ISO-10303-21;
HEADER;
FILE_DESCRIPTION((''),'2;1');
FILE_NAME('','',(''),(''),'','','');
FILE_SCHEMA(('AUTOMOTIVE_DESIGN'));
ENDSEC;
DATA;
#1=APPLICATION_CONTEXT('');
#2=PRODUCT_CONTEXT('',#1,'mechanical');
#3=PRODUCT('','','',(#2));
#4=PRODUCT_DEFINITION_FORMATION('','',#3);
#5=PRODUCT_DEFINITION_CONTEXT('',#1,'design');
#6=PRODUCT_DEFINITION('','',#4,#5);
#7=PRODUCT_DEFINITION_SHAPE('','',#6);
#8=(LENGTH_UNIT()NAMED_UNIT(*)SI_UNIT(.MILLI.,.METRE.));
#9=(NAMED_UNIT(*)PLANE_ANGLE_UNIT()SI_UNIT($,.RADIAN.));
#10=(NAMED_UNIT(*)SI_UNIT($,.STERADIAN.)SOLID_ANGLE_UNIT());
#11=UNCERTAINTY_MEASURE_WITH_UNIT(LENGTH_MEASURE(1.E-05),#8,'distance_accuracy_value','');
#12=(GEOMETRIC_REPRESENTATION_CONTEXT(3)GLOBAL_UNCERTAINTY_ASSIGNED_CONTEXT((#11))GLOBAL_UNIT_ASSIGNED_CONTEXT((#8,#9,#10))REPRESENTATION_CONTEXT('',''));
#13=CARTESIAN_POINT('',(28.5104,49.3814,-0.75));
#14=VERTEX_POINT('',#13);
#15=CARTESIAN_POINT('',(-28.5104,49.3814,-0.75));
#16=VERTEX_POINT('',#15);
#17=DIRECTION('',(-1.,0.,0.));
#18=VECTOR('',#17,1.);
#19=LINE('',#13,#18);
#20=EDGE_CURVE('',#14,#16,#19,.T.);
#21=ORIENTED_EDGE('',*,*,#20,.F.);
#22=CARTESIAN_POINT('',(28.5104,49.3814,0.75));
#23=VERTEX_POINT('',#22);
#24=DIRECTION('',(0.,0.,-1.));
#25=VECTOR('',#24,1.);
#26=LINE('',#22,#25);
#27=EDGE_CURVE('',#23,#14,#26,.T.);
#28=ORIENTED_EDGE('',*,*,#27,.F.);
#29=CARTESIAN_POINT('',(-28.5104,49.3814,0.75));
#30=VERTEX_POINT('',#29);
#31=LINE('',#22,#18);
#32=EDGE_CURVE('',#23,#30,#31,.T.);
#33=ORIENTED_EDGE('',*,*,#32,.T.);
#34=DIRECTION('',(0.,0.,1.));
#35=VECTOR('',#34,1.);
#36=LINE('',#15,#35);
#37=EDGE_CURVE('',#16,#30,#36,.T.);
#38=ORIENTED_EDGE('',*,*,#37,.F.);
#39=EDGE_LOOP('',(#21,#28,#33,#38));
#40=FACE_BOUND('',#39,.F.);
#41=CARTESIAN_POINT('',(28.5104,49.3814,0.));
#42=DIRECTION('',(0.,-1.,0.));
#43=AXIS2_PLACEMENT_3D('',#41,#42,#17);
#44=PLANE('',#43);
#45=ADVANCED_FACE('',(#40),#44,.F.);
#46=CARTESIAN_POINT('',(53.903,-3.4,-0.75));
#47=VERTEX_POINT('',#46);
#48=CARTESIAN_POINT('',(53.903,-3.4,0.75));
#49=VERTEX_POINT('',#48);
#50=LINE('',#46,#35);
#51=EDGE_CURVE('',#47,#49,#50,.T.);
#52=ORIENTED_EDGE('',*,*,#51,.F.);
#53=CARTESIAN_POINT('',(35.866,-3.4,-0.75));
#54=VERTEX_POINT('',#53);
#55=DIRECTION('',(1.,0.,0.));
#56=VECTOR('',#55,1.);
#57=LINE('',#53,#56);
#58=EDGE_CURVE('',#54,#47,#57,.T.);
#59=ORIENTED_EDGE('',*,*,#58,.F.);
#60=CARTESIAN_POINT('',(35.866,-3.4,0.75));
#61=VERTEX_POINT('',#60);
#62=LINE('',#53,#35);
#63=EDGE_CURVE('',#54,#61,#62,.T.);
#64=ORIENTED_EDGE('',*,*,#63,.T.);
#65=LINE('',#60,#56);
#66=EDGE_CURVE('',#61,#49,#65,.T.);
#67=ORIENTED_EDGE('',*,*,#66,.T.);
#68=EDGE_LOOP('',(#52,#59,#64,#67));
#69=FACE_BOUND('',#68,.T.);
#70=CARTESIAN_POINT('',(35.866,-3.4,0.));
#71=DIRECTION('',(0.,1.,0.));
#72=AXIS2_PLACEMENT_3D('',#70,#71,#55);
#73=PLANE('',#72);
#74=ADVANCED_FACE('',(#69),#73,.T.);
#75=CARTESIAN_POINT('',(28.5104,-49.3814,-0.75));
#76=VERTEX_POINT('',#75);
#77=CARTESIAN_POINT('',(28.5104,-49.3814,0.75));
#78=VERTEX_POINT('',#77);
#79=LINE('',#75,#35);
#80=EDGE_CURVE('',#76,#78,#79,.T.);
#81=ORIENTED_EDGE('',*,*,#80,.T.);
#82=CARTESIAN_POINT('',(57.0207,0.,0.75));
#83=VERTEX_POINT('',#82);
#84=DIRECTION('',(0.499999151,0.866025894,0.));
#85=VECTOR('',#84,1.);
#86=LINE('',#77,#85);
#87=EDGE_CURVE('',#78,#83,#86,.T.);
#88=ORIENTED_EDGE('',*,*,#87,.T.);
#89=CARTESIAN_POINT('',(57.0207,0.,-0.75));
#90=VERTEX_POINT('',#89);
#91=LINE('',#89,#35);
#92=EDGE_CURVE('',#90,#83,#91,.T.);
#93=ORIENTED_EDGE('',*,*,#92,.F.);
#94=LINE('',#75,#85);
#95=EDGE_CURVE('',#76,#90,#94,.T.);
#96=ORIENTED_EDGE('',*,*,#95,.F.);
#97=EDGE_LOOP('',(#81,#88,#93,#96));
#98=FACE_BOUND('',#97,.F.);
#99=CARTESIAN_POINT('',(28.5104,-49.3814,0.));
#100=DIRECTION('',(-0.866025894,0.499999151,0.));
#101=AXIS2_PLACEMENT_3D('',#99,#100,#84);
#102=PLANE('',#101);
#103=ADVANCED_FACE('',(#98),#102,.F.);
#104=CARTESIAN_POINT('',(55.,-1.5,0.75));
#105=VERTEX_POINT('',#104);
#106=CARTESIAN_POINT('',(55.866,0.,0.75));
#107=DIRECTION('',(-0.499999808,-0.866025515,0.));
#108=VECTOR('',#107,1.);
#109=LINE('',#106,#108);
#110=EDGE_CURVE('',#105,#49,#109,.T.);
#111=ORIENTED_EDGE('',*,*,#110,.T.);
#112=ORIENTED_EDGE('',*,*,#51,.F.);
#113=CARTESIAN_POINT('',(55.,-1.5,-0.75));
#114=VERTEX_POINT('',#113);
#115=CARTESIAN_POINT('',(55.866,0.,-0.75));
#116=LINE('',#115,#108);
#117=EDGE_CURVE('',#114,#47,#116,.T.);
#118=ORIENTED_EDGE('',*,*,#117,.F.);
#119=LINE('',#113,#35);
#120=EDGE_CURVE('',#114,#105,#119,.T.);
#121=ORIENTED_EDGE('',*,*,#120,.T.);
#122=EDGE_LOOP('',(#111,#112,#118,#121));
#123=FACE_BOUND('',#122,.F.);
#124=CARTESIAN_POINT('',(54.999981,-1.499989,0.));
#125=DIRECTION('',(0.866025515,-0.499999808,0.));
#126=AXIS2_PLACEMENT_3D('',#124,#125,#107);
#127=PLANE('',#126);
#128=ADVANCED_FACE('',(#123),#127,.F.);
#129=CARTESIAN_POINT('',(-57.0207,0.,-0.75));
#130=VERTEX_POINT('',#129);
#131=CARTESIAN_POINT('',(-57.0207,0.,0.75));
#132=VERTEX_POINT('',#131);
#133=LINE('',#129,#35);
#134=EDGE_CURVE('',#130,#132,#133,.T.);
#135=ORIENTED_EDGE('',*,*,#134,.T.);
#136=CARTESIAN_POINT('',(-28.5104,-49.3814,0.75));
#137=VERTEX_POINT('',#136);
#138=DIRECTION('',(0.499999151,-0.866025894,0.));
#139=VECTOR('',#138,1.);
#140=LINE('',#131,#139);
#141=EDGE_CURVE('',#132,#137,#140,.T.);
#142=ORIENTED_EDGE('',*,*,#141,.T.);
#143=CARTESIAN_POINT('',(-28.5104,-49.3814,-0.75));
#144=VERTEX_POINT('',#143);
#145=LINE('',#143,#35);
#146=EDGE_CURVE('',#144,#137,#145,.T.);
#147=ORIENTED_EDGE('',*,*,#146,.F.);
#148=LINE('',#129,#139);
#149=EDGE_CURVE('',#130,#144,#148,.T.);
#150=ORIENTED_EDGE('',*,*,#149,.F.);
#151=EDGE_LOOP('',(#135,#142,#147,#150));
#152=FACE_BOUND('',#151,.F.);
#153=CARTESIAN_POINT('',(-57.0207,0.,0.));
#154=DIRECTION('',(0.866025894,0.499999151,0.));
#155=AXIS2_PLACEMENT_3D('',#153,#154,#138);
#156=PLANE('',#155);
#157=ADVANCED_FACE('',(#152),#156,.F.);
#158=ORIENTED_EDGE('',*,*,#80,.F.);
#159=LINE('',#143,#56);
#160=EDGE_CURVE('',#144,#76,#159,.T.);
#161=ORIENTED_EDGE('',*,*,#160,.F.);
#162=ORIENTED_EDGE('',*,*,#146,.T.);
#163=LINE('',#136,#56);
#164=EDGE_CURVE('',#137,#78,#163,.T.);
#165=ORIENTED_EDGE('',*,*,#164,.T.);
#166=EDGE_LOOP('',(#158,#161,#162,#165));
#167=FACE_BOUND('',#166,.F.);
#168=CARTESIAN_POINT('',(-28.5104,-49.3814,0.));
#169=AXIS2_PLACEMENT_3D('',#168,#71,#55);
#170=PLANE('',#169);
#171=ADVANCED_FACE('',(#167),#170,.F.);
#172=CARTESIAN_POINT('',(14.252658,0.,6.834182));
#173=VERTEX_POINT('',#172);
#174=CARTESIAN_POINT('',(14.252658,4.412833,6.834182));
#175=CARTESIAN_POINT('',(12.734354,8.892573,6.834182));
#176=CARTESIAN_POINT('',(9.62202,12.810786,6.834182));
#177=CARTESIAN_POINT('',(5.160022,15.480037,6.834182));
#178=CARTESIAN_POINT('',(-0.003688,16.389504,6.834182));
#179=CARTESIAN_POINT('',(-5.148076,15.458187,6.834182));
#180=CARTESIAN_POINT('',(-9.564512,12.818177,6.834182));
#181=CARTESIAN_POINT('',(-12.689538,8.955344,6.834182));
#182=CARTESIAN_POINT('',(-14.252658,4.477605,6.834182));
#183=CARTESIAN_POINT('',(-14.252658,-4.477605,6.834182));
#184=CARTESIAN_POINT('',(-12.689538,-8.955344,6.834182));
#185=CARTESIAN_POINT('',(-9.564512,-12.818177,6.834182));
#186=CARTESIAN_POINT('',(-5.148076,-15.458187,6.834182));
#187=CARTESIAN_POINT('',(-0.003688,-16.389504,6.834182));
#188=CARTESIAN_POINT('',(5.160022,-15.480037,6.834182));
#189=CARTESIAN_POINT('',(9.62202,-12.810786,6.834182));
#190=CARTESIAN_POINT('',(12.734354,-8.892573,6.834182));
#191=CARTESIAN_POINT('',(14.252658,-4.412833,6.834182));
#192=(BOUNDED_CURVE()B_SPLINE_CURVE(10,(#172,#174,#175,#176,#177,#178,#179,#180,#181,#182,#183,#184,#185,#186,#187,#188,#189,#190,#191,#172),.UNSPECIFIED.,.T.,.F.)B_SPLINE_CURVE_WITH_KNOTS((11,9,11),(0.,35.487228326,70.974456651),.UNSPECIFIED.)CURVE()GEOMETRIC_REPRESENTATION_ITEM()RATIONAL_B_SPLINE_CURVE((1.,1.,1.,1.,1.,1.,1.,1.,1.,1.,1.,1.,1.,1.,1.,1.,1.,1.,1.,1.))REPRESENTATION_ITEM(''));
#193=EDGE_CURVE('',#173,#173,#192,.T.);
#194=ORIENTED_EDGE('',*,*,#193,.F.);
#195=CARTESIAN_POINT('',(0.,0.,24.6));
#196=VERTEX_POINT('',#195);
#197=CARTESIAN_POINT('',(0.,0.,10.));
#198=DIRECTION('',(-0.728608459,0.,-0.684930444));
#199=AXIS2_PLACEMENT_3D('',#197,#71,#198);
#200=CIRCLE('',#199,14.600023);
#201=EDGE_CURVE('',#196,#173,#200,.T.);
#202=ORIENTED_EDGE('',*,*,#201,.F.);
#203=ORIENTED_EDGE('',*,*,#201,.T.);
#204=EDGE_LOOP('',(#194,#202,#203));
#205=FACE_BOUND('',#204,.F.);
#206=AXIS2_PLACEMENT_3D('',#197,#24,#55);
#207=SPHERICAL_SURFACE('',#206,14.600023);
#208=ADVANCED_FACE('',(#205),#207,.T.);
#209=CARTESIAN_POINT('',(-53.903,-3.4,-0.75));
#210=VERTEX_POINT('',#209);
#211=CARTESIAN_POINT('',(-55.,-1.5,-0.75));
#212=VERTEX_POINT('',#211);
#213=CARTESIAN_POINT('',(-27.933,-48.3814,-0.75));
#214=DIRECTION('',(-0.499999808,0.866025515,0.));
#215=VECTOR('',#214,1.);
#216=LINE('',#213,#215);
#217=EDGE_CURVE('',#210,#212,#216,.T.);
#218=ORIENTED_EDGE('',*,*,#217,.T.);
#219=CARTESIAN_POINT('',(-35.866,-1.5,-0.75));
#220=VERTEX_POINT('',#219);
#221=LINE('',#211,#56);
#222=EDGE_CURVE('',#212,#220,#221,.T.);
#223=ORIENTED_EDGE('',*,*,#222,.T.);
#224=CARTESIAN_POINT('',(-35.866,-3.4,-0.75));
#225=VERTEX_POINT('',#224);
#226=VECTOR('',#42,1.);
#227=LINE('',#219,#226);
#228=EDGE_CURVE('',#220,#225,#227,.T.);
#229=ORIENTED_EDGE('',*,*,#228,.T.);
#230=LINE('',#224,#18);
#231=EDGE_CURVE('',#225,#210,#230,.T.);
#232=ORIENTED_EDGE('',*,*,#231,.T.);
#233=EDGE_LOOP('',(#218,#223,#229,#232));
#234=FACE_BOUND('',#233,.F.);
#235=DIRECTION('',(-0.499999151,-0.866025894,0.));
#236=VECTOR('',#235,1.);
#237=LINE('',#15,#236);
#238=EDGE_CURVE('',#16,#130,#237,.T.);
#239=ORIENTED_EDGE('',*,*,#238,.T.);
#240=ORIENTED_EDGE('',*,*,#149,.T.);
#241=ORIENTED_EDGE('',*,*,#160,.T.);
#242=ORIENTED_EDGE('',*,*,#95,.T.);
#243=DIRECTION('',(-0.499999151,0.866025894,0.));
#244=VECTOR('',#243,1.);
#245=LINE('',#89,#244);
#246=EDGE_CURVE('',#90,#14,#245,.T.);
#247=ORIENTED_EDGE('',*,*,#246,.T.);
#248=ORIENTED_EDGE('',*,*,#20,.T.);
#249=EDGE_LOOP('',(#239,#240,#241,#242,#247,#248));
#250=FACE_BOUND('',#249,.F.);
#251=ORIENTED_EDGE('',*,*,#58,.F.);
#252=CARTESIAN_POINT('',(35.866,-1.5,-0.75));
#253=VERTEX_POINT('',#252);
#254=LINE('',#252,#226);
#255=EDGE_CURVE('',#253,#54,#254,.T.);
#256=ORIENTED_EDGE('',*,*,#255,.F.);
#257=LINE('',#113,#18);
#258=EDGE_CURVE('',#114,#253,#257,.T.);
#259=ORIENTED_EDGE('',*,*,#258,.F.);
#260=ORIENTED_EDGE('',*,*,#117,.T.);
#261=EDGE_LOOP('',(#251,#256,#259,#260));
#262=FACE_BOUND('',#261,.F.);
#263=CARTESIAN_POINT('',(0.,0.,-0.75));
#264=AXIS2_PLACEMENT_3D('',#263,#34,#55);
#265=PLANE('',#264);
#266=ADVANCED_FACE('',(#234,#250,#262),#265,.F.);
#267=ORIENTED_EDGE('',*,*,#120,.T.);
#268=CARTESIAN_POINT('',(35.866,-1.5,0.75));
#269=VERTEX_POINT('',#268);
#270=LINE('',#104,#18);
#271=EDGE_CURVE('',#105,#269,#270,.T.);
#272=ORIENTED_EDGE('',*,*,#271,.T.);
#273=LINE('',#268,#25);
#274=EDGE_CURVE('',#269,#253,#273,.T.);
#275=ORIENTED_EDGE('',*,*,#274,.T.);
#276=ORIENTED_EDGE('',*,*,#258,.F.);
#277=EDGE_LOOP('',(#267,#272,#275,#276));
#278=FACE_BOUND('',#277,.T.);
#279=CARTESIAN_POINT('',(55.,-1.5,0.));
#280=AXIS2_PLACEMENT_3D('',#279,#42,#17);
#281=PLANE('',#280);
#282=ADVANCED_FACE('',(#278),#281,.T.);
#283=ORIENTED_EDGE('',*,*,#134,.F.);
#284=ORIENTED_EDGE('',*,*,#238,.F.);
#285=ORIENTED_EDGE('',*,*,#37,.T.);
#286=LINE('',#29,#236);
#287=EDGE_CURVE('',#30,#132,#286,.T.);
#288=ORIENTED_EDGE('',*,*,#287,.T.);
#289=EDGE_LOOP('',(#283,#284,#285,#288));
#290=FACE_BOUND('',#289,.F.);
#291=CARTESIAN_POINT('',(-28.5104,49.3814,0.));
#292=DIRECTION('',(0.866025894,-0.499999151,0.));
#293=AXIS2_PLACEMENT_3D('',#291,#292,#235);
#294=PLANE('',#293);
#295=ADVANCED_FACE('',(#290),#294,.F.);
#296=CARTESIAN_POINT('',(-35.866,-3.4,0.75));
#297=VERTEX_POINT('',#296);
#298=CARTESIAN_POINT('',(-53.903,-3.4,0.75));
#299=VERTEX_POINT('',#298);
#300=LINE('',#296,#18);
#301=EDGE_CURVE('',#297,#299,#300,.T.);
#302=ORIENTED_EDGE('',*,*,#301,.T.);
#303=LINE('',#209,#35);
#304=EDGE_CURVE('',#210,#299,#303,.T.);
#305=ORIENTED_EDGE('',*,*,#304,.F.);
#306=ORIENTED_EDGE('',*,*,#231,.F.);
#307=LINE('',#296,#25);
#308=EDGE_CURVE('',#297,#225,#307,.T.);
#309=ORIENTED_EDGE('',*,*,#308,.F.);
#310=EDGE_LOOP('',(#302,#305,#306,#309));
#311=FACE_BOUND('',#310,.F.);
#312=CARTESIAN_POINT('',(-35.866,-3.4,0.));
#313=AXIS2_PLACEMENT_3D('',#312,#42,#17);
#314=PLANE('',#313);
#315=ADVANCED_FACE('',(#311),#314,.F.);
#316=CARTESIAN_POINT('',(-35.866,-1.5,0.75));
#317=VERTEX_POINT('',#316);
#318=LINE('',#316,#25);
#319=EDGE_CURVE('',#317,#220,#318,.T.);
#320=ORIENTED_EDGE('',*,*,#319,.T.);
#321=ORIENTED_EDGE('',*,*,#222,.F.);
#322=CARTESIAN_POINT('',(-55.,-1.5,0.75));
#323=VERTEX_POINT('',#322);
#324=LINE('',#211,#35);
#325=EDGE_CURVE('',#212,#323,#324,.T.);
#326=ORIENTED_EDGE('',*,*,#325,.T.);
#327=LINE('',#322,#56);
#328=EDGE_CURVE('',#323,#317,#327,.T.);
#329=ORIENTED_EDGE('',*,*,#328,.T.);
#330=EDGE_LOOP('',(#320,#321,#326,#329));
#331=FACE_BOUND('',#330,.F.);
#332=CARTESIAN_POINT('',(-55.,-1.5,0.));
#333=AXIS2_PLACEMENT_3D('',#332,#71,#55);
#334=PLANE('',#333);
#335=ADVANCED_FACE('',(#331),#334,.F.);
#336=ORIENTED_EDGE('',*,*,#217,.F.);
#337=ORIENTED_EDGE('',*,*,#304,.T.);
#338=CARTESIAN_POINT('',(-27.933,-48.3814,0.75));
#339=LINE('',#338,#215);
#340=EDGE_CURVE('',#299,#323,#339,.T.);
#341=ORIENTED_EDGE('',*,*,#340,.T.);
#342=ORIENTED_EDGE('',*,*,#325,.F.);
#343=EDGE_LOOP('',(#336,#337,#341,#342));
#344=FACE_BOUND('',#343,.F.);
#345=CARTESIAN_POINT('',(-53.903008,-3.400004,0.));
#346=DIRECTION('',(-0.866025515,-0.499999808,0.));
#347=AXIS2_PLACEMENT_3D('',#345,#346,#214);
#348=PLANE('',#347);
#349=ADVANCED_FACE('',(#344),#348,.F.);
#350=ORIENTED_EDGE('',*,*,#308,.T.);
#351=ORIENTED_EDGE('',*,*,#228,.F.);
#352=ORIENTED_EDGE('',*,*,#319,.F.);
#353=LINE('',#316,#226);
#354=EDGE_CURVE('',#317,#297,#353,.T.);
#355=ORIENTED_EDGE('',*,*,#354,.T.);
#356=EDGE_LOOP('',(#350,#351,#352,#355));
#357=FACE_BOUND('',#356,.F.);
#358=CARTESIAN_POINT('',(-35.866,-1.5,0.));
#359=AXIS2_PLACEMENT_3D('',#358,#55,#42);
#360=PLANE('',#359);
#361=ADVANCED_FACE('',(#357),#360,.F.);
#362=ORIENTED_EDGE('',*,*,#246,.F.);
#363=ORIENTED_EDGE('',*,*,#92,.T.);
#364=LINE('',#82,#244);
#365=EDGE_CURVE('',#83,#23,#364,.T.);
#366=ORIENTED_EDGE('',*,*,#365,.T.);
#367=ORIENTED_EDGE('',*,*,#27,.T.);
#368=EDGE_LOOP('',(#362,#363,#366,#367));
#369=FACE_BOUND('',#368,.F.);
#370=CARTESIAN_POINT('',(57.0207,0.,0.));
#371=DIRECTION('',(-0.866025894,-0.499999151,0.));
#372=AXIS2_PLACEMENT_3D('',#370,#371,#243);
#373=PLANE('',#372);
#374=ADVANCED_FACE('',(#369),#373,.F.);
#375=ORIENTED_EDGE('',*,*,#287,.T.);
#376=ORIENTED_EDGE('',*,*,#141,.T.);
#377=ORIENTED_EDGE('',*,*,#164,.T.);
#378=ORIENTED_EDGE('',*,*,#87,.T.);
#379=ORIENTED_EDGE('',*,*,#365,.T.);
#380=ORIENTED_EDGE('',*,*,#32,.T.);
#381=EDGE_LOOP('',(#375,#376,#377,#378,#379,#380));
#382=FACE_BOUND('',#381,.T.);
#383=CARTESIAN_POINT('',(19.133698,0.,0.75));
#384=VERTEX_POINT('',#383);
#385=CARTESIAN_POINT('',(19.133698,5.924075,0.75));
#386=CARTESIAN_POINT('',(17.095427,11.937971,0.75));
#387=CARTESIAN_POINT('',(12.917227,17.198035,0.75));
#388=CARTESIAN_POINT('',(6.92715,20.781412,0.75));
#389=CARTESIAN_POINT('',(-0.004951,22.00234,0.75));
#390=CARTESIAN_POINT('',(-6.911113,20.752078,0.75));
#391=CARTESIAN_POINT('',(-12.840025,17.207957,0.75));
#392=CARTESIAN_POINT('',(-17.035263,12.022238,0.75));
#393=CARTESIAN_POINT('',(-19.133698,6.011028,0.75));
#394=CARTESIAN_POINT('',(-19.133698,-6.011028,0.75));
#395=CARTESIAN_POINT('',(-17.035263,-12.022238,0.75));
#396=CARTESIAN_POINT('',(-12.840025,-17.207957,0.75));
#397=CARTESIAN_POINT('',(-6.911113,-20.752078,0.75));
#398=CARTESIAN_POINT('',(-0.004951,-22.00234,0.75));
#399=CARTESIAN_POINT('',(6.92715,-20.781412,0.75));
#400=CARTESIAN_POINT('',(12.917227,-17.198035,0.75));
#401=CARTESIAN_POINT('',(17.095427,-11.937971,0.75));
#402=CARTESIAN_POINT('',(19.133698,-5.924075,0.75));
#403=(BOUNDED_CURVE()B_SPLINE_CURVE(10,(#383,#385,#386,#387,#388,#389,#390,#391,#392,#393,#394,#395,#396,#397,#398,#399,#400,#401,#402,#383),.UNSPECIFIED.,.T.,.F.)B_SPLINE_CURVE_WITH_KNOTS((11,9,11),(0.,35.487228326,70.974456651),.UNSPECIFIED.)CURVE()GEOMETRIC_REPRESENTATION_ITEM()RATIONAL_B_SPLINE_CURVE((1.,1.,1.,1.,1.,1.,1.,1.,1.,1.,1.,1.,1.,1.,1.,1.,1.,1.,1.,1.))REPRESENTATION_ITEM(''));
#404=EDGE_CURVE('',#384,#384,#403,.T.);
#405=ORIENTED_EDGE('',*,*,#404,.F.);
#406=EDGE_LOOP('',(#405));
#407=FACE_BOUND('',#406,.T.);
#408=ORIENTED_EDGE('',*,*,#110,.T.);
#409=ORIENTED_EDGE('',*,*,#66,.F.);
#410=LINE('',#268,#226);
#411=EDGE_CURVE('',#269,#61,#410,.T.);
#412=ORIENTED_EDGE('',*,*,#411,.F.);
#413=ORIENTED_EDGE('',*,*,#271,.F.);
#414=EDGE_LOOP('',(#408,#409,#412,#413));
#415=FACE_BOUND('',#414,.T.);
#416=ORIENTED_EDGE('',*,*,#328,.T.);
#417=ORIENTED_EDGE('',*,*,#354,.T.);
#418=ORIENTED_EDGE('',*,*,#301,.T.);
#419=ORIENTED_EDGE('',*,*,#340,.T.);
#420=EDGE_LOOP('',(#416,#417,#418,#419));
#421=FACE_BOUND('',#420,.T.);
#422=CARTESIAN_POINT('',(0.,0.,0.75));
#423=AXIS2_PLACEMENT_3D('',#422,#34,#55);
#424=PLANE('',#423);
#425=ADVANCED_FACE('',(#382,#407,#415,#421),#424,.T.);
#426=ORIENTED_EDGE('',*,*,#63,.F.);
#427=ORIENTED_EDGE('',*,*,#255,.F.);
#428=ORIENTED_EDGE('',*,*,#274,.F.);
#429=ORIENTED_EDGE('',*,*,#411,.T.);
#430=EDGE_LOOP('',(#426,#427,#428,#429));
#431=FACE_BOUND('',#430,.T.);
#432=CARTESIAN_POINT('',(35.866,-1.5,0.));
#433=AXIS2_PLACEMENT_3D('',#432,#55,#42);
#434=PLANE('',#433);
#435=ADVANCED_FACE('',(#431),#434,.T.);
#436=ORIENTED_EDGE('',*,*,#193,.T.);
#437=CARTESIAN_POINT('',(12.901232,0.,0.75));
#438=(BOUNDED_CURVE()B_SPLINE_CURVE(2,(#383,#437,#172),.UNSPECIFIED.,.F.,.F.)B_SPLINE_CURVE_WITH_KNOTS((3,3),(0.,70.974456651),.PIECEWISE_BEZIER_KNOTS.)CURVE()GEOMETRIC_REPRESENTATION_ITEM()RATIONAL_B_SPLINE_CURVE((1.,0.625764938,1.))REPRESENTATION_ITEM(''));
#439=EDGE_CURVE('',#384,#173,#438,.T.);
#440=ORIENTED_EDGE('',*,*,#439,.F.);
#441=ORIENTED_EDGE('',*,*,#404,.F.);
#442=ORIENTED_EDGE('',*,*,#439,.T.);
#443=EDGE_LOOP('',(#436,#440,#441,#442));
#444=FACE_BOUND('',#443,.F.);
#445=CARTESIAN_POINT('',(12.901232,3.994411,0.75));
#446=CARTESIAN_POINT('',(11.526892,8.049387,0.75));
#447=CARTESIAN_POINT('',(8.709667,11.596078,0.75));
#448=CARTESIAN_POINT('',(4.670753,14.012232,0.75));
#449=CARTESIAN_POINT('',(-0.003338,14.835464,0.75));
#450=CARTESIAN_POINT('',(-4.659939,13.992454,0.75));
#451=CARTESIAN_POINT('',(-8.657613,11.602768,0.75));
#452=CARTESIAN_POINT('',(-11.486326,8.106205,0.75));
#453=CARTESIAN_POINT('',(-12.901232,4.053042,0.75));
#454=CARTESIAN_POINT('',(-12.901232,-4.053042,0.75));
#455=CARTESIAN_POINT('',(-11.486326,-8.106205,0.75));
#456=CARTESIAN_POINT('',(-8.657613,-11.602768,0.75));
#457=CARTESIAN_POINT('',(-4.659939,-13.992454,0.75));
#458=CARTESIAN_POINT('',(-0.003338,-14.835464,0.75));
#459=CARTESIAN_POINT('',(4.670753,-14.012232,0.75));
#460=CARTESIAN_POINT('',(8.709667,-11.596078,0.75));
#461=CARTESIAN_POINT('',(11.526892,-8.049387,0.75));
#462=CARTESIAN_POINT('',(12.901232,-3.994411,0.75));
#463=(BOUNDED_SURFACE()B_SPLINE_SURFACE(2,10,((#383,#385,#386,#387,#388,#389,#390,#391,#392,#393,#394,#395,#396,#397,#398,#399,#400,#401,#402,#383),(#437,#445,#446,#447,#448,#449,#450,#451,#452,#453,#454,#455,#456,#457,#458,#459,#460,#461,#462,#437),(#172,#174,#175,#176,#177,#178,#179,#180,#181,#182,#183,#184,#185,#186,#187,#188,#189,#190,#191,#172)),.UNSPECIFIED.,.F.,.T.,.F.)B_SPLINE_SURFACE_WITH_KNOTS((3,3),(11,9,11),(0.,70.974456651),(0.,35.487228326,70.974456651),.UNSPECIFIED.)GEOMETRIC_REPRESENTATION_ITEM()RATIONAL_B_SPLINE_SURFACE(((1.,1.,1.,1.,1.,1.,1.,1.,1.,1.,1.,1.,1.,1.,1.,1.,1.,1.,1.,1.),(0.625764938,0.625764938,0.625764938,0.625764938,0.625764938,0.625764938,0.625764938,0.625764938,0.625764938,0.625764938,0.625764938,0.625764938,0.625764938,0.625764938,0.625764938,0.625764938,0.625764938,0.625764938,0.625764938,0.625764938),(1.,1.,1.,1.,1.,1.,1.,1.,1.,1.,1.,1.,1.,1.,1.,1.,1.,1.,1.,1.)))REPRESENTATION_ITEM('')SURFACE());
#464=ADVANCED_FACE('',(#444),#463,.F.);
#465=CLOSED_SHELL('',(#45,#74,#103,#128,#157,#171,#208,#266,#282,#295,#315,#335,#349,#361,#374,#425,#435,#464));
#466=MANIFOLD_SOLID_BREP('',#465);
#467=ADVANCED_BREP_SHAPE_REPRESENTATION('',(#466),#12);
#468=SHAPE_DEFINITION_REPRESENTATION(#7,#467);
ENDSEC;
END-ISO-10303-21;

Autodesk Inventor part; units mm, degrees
ref_plane "YZ Plane" through (0, 0, 0) normal (1, 0, 0) x (0, 1, 0)
ref_plane "XZ Plane" through (0, 0, 0) normal (0, 1, 0) x (-1, 0, 0)
ref_plane "XY Plane" through (0, 0, 0) normal (0, 0, 1) x (1, 0, 0)
sketch "Sketch2" plane through (0, 0, 0) normal (0, 0, 1) x (1, 0, 0)
  line L0 (27.933, -48.3814) -> (-27.933, -48.3814)
  line L1 (-27.933, -48.3814) -> (-55.866, 0)
  line L2 (-55.866, 0) -> (-27.933, 48.3814)
  line L3 (-27.933, 48.3814) -> (27.933, 48.3814)
  line L4 (27.933, 48.3814) -> (55.866, 0)
  line L5 (55.866, 0) -> (27.933, -48.3814)
  line L6 (-28.5104, 49.3814) -> (-57.0207, 0)
  line L7 (-57.0207, 0) -> (-28.5104, -49.3814)
  line L8 (-28.5104, -49.3814) -> (28.5104, -49.3814)
  line L9 (28.5104, -49.3814) -> (57.0207, 0)
  line L10 (57.0207, 0) -> (28.5104, 49.3814)
  line L11 (28.5104, 49.3814) -> (-28.5104, 49.3814)
  line L12 (0, -48.3814) -> (0, 48.3814) construction
  line L13 (-55, -1.5) -> (-35.866, -1.5)
  line L14 (-35.866, -1.5) -> (-35.866, -3.4)
  line L15 (-35.866, -3.4) -> (-53.903, -3.4)
  line L16 (55, -1.5) -> (35.866, -1.5)
  line L17 (35.866, -1.5) -> (35.866, -3.4)
  line L18 (35.866, -3.4) -> (53.903, -3.4)
  point P0 (0, 0)
  point P1 (0, 0)
  point P2 (53.903, -3.4)
  point P3 (55, -1.5)
  dimension "d10" = 1
  dimension "d13" = 1.9
  dimension "d14" = 20
  dimension "d15" = 1.5
  dimension "d28" = 110
extrude "Extrusion2" add sketch "Sketch2" along normal mid plane 1.5 contours L0 L1 L15 L14 L13 L2 L3 L4 L5 L16 L17 L18 | L11 L10 L9 L8 L7 L6
sketch "Sketch5" plane through (0, 0, 0) normal (0, 1, 0) x (-1, 0, 0)
  line L0 (0, 0) -> (-10.6377, 0)
  line L1 (-10.6377, 0) -> (-7.4876, 0)
  line L2 (0, 0) -> (0, 10)
  arc A0 (10.6377, 0) -> (-10.6377, 0) centre (0, 10) ccw
  line L3 (0, 0) -> (10.6377, 0)
  line L4 (28.5104, 0.75) -> (-28.5104, 0.75) projected
  line L5 (0, 0.75) -> (0, 24.6)
  point P0 (-11.2959, 0.75)
  point P1 (0, 0.75)
  dimension "d29" = 10
  dimension "d30" = 14.6
revolve "Revolution3" add sketch "Sketch5" angle 360 about axis through (0, 0, 0.75) along (0, 0, 1) picked at (-3.7653, 3.8333) contours L4 A0 L5 L2
fillet "Fillet2" radius 5 1 edges at (-11.2959, 0, 0.75)
properties part number "CUERPO_ABEJA"
